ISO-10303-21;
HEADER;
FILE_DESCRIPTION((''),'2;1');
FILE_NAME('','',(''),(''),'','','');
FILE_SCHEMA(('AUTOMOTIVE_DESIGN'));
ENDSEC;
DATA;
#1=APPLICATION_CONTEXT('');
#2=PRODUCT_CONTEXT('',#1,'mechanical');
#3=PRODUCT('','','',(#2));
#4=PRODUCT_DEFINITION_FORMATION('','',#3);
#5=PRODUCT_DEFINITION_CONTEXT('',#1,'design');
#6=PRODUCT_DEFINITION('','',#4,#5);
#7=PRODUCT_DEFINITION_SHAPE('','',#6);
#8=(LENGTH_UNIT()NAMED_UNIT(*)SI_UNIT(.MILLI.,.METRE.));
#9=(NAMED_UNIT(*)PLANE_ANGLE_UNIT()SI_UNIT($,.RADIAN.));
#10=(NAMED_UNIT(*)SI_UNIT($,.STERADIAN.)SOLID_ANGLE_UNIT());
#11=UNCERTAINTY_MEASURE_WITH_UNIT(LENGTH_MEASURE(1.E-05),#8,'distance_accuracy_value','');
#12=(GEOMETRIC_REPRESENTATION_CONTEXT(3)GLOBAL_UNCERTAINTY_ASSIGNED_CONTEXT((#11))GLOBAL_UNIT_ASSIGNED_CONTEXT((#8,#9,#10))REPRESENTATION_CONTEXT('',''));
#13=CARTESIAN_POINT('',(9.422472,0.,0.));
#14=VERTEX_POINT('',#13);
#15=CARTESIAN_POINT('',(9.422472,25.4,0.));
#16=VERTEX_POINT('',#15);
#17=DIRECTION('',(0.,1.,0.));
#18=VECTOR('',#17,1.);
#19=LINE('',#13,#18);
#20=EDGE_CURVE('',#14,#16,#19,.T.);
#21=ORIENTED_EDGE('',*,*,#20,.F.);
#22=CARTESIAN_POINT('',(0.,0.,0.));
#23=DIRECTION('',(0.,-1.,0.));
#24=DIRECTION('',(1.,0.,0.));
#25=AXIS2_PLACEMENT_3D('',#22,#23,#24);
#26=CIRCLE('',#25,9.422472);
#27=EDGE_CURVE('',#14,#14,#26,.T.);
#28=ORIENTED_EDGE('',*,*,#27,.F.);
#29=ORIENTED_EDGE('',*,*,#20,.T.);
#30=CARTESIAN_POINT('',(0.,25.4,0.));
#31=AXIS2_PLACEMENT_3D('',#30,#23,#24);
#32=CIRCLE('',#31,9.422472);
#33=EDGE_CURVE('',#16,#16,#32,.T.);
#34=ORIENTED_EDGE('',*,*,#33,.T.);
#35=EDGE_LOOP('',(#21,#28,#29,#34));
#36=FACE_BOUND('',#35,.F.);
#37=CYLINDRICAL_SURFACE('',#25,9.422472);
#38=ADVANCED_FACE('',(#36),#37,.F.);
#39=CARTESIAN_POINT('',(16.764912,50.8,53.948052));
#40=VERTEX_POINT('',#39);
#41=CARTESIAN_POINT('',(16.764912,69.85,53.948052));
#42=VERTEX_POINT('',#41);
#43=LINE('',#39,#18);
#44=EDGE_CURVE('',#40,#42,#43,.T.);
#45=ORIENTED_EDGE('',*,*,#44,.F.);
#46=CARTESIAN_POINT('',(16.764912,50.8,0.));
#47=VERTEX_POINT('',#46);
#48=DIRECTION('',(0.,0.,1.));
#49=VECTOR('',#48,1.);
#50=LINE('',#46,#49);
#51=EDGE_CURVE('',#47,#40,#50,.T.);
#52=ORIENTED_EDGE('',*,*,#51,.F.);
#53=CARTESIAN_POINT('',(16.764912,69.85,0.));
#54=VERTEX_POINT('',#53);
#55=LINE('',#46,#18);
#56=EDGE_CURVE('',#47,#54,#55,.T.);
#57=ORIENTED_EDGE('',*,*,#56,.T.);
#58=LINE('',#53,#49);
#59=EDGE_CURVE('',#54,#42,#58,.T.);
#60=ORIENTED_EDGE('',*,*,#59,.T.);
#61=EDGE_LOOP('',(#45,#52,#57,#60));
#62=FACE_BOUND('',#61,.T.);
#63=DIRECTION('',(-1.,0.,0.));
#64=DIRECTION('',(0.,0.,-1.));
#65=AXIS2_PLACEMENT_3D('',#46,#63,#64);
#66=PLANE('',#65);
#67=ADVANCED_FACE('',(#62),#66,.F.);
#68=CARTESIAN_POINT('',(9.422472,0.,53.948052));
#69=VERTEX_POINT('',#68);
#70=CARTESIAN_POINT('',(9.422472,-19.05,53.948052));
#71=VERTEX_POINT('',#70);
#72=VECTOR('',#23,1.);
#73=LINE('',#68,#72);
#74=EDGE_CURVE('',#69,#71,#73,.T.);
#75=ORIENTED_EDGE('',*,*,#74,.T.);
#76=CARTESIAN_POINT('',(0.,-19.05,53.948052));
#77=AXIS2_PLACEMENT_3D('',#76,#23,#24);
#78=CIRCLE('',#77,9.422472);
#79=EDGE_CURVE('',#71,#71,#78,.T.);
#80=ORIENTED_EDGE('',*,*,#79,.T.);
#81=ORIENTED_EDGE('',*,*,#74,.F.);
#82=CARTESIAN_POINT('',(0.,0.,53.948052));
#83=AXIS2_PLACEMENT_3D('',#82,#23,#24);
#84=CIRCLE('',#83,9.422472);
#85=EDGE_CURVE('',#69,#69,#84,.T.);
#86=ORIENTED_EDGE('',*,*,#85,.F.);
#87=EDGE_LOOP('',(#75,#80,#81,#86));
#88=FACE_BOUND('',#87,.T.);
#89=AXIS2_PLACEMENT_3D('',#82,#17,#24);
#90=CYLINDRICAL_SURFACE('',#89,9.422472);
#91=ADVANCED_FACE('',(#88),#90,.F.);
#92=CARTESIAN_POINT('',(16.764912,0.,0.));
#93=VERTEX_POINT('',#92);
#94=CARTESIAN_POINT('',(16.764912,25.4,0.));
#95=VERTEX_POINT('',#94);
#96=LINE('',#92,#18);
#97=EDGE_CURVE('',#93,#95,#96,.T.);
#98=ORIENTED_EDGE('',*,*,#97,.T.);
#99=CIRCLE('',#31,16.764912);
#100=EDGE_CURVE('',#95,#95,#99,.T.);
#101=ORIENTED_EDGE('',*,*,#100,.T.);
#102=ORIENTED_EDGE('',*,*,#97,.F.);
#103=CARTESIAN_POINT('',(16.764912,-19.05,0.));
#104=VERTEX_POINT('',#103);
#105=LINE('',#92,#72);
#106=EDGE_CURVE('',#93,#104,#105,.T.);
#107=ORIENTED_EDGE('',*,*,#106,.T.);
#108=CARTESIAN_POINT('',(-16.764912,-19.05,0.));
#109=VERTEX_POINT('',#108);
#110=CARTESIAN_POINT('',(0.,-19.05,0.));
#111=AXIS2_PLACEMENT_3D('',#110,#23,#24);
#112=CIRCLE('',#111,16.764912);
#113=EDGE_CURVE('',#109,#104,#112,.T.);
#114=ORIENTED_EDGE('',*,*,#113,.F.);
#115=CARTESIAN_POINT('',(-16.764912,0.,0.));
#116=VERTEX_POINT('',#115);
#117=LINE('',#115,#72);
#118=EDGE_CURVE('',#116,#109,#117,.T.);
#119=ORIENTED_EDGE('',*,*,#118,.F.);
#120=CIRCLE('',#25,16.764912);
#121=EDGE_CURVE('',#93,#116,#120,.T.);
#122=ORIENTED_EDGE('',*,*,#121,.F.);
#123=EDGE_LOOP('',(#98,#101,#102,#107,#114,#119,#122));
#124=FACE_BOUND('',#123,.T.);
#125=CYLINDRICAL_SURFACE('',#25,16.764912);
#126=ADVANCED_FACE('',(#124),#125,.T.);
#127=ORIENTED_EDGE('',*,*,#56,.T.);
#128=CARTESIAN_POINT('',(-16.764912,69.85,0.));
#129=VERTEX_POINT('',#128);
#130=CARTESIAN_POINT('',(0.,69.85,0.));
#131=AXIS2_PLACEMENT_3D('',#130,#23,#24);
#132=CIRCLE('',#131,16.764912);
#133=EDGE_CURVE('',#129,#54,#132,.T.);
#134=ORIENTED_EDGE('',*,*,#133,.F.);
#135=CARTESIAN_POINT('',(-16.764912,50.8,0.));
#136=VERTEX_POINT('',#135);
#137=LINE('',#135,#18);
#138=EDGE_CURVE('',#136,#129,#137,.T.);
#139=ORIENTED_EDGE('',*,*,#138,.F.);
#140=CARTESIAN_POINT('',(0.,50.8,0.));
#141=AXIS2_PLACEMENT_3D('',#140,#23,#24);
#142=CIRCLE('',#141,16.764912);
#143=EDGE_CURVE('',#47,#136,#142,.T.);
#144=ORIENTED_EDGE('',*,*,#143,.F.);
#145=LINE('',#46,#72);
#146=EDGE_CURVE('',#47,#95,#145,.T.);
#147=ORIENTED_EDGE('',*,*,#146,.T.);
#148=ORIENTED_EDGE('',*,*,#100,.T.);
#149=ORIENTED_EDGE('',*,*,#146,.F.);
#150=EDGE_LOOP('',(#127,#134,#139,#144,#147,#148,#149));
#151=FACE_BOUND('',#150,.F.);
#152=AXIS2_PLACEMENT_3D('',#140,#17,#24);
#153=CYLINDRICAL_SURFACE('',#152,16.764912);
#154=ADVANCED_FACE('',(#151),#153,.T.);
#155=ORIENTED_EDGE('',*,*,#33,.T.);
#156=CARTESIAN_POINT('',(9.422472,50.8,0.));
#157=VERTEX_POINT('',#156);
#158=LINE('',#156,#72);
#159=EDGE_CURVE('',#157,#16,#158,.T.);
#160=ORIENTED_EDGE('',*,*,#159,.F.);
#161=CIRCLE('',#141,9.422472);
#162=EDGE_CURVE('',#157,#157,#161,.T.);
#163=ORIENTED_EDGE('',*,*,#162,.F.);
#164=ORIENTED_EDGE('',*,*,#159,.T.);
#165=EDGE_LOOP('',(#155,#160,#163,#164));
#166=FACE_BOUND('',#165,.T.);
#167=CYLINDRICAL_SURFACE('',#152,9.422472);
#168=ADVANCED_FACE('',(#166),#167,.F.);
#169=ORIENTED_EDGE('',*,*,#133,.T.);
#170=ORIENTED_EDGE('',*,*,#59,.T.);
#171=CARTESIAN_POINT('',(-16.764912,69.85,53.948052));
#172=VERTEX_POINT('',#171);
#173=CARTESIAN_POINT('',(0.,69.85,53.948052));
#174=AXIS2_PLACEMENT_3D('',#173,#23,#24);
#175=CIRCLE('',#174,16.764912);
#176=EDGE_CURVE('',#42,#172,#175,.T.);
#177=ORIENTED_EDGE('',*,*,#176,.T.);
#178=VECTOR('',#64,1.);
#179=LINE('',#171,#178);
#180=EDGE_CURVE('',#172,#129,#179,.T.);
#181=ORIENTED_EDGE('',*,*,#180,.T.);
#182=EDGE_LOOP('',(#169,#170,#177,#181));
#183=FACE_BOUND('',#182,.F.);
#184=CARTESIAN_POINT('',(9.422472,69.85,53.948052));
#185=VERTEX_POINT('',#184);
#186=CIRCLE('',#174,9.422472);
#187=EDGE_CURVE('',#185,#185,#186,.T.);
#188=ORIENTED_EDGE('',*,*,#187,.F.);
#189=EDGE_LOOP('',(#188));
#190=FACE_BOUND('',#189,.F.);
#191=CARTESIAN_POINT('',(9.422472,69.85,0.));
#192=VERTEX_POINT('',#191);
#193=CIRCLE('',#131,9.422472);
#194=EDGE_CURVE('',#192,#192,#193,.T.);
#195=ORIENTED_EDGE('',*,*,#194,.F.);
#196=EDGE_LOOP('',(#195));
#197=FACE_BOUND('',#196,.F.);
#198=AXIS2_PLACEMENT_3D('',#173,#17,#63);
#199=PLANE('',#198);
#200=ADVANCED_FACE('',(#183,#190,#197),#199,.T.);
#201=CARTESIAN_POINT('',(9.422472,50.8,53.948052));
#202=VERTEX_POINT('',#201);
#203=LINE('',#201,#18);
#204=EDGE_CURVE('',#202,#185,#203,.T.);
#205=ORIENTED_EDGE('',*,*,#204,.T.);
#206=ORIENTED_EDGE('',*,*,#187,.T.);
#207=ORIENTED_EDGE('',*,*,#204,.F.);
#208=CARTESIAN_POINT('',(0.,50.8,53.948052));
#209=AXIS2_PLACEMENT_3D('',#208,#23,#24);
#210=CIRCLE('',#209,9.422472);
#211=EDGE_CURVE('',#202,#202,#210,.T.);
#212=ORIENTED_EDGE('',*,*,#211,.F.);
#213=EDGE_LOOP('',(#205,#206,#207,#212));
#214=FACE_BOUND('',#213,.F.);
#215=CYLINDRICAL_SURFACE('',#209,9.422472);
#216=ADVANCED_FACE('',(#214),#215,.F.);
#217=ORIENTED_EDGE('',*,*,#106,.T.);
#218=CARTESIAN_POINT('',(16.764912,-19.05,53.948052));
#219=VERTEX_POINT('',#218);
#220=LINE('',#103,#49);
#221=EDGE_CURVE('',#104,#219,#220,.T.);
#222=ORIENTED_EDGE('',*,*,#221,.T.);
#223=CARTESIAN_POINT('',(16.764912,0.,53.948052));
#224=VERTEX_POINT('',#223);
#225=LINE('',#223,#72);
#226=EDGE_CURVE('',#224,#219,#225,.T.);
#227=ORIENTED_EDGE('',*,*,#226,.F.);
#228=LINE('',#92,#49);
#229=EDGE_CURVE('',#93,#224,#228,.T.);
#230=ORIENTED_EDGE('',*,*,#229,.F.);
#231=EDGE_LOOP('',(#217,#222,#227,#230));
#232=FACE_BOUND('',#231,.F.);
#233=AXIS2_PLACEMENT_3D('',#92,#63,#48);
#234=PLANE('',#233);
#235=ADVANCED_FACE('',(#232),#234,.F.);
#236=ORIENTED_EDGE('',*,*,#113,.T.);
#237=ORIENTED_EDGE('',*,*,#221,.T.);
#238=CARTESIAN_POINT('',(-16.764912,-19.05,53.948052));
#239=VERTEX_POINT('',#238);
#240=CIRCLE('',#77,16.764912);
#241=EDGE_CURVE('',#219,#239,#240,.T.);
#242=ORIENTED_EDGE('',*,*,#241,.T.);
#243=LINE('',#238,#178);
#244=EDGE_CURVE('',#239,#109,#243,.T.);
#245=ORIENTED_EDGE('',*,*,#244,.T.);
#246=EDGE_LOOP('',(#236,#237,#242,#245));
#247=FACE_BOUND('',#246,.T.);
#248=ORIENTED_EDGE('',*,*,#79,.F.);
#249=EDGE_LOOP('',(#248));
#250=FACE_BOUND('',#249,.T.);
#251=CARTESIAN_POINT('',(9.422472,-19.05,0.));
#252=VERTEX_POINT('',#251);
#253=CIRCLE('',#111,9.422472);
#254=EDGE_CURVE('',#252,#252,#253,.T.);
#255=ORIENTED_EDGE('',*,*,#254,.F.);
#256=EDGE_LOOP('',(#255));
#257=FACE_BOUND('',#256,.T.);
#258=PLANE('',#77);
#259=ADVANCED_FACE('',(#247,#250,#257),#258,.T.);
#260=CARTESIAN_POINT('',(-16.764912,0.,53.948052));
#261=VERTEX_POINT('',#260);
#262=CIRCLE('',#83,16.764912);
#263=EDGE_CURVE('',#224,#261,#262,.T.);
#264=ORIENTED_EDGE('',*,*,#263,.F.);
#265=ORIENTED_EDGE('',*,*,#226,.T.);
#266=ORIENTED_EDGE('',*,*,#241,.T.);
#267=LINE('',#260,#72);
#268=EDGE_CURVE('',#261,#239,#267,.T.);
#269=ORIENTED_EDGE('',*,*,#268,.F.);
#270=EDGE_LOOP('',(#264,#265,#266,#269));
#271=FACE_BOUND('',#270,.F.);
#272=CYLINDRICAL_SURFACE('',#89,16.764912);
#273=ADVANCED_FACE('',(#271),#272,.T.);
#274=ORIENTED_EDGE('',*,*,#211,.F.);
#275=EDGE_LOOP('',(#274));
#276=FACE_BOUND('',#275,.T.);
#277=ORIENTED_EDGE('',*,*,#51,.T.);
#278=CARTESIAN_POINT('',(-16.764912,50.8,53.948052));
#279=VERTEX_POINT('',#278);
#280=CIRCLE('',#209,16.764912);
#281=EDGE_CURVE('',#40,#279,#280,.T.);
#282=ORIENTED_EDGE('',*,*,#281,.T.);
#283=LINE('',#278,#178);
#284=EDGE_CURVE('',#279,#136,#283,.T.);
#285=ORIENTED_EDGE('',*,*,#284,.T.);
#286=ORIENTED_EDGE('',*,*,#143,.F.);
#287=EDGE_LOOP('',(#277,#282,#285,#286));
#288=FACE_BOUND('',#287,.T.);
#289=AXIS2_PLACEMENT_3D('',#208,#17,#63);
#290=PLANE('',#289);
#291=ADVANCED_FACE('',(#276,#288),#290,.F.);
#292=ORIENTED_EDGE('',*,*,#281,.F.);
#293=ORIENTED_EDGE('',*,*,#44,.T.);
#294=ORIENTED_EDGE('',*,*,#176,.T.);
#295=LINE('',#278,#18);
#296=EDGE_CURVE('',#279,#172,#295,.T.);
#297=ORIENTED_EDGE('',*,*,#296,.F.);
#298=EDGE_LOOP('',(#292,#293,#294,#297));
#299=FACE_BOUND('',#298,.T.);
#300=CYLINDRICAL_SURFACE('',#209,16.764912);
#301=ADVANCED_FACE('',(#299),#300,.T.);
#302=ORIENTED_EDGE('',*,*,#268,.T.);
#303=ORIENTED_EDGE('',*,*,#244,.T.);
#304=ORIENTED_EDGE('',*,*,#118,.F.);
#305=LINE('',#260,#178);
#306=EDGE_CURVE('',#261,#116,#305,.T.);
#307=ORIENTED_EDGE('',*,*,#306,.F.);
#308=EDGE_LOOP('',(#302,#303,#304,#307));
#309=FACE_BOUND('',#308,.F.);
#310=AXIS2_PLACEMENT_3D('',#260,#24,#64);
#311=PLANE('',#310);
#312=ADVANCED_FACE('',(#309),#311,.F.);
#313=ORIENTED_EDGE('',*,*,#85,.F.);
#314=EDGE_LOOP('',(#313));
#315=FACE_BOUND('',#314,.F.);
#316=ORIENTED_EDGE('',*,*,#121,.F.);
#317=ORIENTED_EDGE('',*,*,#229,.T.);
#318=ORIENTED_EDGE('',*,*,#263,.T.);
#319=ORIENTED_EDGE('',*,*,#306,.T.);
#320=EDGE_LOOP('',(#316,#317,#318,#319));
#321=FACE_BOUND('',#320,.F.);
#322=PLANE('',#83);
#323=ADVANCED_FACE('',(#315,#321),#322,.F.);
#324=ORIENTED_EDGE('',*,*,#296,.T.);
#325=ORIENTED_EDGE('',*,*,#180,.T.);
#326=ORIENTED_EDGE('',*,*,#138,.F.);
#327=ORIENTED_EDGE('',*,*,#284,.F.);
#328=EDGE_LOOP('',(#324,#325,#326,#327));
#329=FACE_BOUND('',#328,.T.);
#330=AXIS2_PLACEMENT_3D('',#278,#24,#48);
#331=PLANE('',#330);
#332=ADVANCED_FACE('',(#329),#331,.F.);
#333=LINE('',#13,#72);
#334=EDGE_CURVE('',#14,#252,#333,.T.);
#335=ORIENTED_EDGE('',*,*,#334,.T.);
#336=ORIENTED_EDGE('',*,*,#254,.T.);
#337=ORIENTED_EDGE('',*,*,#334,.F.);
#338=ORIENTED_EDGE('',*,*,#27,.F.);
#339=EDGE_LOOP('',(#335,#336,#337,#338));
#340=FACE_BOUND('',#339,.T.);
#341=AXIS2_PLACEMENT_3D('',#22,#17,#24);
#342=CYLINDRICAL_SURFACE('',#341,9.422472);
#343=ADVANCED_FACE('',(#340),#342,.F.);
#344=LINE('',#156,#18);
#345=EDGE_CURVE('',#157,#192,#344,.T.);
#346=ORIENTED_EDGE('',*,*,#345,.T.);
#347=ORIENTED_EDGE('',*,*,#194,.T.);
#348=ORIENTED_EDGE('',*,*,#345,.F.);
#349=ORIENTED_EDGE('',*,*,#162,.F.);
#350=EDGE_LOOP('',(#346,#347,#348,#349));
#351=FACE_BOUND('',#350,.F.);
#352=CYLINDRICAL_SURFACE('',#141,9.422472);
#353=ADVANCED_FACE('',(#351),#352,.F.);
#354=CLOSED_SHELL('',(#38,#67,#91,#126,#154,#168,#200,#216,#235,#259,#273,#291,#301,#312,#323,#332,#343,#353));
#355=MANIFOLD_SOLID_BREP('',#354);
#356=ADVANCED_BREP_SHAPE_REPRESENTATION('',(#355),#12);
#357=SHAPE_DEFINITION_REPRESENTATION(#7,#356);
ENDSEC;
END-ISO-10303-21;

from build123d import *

# Parameters (mm, degrees)
F0_R     = 9.422472
F1_DEPTH = 19.05
F2_DEPTH = 25.4


with BuildPart() as f1:
    # F0 (on Front) → F1 (new body)
    with BuildSketch(Plane.XZ):
        with BuildLine():
            ThreePointArc((-16.764912, 53.948052), (0, 37.183141), (16.764912, 53.948052))
            ThreePointArc((16.764912, 53.948052), (0, 70.712964), (-16.764912, 53.948052))
        make_face()
        with Locations((0, 53.948052)):
            Circle(F0_R, mode=Mode.SUBTRACT)
        with BuildLine():
            ThreePointArc((-16.764912, 0), (0, 16.764912), (16.764912, 0))
            Line((16.764912, 0), (16.764912, 53.948052))
            ThreePointArc((16.764912, 53.948052), (0, 37.183141), (-16.764912, 53.948052))
            Line((-16.764912, 53.948052), (-16.764912, 0))
        make_face()
        with BuildLine():
            ThreePointArc((-16.764912, 0), (0, -16.764912), (16.764912, 0))
            ThreePointArc((16.764912, 0), (0, 16.764912), (-16.764912, 0))
        make_face()
        Circle(F0_R, mode=Mode.SUBTRACT)
    extrude(amount=F1_DEPTH)

    # F0 (on Front) → F2 (join)
    with BuildSketch(Plane.XZ):
        with BuildLine():
            ThreePointArc((-16.764912, 0), (0, -16.764912), (16.764912, 0))
            ThreePointArc((16.764912, 0), (0, 16.764912), (-16.764912, 0))
        make_face()
        Circle(F0_R, mode=Mode.SUBTRACT)
    extrude(amount=-F2_DEPTH)

    # F3: F1 across face


with BuildPart() as f1_1:
    add(f1.part)
    add(f1.part.mirror(Plane(origin=(0, 25.4, 0), x_dir=(1, 0, 0), z_dir=(0, 1, 0))))


solid = f1_1.part
